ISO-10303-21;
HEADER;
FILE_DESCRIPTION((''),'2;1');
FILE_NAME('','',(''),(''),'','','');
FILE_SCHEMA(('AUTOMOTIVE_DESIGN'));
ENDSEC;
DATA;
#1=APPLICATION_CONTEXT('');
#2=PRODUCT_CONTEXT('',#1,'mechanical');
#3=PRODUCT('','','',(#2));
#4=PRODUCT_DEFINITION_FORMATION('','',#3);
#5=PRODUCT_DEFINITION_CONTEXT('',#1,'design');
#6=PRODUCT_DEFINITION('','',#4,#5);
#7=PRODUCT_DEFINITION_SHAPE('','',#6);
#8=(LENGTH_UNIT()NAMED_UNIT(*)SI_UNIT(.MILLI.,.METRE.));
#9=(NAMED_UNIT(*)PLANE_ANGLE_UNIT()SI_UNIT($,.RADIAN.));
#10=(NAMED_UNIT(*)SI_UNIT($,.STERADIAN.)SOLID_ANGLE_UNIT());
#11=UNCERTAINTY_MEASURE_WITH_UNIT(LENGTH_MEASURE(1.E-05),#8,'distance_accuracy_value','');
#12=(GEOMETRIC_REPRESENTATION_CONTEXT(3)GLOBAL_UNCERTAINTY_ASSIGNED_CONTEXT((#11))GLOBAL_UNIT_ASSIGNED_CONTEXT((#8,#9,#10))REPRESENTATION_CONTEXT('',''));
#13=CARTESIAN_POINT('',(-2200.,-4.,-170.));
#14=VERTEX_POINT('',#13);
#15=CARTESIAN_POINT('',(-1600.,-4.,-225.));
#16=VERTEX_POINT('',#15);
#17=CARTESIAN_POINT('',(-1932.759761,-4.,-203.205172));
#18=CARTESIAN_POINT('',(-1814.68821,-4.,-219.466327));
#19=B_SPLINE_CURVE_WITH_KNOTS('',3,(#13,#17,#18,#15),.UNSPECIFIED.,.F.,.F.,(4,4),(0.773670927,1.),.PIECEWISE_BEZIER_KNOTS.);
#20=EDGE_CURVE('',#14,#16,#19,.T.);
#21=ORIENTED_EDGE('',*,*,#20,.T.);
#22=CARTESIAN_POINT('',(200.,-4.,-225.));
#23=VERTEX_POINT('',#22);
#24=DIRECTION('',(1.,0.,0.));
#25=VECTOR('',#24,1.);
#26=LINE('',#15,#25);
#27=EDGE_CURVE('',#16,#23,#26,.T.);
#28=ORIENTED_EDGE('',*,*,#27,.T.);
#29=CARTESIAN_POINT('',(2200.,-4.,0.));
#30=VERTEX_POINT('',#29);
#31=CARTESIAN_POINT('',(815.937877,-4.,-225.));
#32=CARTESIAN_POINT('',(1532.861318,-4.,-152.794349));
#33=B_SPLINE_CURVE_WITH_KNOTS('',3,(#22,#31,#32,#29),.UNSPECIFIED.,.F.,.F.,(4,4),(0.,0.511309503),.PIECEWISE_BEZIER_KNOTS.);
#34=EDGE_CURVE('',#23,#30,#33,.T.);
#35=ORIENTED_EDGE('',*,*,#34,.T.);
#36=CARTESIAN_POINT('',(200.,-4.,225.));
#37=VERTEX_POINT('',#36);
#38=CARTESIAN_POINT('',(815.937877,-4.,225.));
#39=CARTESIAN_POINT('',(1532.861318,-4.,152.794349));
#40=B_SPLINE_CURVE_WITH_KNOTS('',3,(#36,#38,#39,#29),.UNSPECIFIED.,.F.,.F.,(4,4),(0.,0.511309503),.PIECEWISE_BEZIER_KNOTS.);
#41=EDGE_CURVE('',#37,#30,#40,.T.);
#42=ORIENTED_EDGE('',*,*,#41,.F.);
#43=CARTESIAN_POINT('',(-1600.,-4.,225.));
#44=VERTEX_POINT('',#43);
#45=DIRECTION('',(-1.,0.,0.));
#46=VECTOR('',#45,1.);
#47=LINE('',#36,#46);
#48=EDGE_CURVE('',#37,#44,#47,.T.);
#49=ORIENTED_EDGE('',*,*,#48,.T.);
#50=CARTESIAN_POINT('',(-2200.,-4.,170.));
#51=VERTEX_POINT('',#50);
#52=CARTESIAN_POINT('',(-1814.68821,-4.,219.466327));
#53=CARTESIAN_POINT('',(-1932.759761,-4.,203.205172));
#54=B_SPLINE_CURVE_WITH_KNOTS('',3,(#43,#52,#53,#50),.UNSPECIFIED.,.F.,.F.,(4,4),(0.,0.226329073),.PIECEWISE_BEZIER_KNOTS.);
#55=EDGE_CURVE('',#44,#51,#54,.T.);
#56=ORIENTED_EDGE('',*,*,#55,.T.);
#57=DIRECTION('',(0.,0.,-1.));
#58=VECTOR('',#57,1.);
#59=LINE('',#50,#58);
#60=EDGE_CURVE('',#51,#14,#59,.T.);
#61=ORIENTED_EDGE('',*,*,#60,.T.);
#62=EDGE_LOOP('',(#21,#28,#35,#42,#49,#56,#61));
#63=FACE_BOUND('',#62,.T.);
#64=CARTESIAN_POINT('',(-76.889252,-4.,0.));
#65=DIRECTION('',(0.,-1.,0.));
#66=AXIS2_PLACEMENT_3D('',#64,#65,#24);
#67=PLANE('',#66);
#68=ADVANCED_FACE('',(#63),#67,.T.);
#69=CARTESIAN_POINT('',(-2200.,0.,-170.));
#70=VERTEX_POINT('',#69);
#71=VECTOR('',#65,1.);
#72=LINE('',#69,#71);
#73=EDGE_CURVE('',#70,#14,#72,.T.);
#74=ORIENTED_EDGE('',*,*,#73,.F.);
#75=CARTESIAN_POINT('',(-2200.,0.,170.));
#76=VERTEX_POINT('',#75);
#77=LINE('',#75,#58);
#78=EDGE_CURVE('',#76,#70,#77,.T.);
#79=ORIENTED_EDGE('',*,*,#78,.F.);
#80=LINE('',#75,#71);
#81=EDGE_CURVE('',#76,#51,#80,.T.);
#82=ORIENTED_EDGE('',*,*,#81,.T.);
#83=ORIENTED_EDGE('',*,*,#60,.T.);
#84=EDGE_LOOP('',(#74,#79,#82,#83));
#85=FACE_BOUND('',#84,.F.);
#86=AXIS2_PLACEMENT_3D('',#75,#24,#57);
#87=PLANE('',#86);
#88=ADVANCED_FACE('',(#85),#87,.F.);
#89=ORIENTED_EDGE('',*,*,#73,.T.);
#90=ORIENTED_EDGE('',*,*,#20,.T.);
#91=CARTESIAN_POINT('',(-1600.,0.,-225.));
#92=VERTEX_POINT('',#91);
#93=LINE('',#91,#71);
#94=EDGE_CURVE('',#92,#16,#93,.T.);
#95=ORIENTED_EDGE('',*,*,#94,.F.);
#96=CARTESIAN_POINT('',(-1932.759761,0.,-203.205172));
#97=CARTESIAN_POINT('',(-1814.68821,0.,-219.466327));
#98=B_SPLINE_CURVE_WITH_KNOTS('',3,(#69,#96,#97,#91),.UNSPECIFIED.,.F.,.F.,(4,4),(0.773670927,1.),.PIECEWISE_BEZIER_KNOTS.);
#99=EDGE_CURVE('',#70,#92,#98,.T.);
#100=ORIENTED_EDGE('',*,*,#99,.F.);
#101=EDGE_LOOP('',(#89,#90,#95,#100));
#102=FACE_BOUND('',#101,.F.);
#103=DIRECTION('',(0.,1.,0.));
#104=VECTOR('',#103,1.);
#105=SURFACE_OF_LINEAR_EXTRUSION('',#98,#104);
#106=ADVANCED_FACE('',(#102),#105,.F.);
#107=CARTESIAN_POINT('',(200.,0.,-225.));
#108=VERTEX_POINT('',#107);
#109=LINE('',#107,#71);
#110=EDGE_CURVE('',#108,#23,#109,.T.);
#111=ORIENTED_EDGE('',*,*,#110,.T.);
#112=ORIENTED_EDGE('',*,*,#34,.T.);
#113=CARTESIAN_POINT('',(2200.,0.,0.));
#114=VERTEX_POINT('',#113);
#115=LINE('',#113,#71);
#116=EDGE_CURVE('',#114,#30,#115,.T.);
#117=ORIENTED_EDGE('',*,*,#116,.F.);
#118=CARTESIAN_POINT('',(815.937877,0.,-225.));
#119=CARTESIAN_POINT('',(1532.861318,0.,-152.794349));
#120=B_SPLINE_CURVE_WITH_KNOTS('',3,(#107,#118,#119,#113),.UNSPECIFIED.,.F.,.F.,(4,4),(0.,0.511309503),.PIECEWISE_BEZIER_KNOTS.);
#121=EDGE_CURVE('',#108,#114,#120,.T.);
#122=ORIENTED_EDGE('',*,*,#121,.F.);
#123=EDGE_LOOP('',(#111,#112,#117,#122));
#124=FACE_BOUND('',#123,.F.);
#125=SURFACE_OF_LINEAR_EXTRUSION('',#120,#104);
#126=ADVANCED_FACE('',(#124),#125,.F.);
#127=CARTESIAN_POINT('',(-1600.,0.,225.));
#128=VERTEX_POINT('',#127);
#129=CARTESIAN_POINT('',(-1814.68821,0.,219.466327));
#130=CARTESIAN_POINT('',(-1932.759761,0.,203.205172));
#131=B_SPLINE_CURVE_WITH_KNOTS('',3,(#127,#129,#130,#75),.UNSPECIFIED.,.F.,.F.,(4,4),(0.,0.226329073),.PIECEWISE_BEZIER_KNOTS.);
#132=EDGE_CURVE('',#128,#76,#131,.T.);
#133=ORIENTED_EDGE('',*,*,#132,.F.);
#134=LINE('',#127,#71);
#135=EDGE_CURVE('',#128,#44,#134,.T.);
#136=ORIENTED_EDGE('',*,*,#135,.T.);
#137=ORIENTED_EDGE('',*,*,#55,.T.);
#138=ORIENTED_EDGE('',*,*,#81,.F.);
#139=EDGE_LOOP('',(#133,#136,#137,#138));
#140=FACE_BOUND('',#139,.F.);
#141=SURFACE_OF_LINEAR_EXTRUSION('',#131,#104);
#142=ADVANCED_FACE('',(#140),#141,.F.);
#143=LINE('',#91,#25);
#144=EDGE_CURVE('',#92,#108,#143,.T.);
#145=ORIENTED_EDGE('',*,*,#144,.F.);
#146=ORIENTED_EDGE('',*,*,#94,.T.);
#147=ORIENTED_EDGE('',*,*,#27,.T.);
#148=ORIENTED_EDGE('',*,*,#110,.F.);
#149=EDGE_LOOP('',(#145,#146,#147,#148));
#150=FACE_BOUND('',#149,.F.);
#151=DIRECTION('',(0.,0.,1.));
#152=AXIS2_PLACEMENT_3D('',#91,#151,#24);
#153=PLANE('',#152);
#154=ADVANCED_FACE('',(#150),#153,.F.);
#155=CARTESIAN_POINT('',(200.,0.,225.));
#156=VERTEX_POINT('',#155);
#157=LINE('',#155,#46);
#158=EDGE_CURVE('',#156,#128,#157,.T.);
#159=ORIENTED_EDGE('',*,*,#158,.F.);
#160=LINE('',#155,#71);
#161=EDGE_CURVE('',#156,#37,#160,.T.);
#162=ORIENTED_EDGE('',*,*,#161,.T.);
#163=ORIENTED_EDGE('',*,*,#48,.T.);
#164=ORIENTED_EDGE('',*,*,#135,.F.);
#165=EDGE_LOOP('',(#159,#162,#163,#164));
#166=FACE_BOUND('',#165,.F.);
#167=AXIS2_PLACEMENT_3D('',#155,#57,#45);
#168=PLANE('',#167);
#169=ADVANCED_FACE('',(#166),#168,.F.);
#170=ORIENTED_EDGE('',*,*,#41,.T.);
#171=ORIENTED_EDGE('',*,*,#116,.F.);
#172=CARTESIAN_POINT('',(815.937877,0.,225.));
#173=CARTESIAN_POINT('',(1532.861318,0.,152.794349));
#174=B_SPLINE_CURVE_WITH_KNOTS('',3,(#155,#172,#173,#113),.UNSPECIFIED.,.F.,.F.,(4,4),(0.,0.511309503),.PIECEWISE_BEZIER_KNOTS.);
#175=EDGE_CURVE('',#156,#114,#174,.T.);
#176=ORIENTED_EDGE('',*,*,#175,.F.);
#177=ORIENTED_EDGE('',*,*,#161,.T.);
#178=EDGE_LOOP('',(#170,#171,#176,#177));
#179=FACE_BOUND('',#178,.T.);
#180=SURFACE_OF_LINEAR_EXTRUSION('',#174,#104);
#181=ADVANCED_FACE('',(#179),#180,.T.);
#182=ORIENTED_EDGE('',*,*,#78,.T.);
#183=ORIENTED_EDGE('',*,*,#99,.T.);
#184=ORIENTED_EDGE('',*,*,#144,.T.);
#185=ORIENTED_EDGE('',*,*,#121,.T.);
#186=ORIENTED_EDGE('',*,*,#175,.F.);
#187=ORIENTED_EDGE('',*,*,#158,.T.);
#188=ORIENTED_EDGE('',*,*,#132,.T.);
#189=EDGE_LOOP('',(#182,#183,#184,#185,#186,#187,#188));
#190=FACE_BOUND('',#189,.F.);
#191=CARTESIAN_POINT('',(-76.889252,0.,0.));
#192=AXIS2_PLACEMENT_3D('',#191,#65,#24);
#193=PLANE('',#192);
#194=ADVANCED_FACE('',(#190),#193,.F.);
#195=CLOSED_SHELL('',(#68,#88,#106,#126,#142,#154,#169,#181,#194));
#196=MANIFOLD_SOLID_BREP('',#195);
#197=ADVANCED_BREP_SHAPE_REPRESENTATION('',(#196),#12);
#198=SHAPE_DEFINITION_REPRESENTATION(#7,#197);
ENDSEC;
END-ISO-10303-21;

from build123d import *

# Parameters (mm, degrees)
F1_DEPTH = 4


with BuildPart() as f1:
    # F0 (on Front) → F1 (new body)
    with BuildSketch(Plane.XZ):
        with BuildLine():
            add(Edge.make_bspline(
                [(-2200, -170), (-1932.7597609139, -203.2051715903), (-1814.6882099383, -219.4663266624), (-1600, -225)],
                knots=[0.7736709271, 0.7736709271, 0.7736709271, 0.7736709271, 1, 1, 1, 1], degree=3))
            Line((-1600, -225), (200, -225))
            add(Edge.make_bspline(
                [(200, -225), (815.9378769801, -225), (1532.8613179389, -152.794348802), (2200, 0)],
                knots=[0, 0, 0, 0, 0.5113095032, 0.5113095032, 0.5113095032, 0.5113095032], degree=3))
            add(Edge.make_bspline(
                [(200, 225), (815.9378769801, 225), (1532.8613179389, 152.794348802), (2200, 0)],
                knots=[0, 0, 0, 0, 0.5113095032, 0.5113095032, 0.5113095032, 0.5113095032], degree=3))
            Line((200, 225), (-1600, 225))
            add(Edge.make_bspline(
                [(-1600, 225), (-1814.6882099383, 219.4663266624), (-1932.7597609139, 203.2051715903), (-2200, 170)],
                knots=[0, 0, 0, 0, 0.2263290729, 0.2263290729, 0.2263290729, 0.2263290729], degree=3))
            Line((-2200, 170), (-2200, -170))
        make_face()
    extrude(amount=F1_DEPTH)


solid = f1.part
